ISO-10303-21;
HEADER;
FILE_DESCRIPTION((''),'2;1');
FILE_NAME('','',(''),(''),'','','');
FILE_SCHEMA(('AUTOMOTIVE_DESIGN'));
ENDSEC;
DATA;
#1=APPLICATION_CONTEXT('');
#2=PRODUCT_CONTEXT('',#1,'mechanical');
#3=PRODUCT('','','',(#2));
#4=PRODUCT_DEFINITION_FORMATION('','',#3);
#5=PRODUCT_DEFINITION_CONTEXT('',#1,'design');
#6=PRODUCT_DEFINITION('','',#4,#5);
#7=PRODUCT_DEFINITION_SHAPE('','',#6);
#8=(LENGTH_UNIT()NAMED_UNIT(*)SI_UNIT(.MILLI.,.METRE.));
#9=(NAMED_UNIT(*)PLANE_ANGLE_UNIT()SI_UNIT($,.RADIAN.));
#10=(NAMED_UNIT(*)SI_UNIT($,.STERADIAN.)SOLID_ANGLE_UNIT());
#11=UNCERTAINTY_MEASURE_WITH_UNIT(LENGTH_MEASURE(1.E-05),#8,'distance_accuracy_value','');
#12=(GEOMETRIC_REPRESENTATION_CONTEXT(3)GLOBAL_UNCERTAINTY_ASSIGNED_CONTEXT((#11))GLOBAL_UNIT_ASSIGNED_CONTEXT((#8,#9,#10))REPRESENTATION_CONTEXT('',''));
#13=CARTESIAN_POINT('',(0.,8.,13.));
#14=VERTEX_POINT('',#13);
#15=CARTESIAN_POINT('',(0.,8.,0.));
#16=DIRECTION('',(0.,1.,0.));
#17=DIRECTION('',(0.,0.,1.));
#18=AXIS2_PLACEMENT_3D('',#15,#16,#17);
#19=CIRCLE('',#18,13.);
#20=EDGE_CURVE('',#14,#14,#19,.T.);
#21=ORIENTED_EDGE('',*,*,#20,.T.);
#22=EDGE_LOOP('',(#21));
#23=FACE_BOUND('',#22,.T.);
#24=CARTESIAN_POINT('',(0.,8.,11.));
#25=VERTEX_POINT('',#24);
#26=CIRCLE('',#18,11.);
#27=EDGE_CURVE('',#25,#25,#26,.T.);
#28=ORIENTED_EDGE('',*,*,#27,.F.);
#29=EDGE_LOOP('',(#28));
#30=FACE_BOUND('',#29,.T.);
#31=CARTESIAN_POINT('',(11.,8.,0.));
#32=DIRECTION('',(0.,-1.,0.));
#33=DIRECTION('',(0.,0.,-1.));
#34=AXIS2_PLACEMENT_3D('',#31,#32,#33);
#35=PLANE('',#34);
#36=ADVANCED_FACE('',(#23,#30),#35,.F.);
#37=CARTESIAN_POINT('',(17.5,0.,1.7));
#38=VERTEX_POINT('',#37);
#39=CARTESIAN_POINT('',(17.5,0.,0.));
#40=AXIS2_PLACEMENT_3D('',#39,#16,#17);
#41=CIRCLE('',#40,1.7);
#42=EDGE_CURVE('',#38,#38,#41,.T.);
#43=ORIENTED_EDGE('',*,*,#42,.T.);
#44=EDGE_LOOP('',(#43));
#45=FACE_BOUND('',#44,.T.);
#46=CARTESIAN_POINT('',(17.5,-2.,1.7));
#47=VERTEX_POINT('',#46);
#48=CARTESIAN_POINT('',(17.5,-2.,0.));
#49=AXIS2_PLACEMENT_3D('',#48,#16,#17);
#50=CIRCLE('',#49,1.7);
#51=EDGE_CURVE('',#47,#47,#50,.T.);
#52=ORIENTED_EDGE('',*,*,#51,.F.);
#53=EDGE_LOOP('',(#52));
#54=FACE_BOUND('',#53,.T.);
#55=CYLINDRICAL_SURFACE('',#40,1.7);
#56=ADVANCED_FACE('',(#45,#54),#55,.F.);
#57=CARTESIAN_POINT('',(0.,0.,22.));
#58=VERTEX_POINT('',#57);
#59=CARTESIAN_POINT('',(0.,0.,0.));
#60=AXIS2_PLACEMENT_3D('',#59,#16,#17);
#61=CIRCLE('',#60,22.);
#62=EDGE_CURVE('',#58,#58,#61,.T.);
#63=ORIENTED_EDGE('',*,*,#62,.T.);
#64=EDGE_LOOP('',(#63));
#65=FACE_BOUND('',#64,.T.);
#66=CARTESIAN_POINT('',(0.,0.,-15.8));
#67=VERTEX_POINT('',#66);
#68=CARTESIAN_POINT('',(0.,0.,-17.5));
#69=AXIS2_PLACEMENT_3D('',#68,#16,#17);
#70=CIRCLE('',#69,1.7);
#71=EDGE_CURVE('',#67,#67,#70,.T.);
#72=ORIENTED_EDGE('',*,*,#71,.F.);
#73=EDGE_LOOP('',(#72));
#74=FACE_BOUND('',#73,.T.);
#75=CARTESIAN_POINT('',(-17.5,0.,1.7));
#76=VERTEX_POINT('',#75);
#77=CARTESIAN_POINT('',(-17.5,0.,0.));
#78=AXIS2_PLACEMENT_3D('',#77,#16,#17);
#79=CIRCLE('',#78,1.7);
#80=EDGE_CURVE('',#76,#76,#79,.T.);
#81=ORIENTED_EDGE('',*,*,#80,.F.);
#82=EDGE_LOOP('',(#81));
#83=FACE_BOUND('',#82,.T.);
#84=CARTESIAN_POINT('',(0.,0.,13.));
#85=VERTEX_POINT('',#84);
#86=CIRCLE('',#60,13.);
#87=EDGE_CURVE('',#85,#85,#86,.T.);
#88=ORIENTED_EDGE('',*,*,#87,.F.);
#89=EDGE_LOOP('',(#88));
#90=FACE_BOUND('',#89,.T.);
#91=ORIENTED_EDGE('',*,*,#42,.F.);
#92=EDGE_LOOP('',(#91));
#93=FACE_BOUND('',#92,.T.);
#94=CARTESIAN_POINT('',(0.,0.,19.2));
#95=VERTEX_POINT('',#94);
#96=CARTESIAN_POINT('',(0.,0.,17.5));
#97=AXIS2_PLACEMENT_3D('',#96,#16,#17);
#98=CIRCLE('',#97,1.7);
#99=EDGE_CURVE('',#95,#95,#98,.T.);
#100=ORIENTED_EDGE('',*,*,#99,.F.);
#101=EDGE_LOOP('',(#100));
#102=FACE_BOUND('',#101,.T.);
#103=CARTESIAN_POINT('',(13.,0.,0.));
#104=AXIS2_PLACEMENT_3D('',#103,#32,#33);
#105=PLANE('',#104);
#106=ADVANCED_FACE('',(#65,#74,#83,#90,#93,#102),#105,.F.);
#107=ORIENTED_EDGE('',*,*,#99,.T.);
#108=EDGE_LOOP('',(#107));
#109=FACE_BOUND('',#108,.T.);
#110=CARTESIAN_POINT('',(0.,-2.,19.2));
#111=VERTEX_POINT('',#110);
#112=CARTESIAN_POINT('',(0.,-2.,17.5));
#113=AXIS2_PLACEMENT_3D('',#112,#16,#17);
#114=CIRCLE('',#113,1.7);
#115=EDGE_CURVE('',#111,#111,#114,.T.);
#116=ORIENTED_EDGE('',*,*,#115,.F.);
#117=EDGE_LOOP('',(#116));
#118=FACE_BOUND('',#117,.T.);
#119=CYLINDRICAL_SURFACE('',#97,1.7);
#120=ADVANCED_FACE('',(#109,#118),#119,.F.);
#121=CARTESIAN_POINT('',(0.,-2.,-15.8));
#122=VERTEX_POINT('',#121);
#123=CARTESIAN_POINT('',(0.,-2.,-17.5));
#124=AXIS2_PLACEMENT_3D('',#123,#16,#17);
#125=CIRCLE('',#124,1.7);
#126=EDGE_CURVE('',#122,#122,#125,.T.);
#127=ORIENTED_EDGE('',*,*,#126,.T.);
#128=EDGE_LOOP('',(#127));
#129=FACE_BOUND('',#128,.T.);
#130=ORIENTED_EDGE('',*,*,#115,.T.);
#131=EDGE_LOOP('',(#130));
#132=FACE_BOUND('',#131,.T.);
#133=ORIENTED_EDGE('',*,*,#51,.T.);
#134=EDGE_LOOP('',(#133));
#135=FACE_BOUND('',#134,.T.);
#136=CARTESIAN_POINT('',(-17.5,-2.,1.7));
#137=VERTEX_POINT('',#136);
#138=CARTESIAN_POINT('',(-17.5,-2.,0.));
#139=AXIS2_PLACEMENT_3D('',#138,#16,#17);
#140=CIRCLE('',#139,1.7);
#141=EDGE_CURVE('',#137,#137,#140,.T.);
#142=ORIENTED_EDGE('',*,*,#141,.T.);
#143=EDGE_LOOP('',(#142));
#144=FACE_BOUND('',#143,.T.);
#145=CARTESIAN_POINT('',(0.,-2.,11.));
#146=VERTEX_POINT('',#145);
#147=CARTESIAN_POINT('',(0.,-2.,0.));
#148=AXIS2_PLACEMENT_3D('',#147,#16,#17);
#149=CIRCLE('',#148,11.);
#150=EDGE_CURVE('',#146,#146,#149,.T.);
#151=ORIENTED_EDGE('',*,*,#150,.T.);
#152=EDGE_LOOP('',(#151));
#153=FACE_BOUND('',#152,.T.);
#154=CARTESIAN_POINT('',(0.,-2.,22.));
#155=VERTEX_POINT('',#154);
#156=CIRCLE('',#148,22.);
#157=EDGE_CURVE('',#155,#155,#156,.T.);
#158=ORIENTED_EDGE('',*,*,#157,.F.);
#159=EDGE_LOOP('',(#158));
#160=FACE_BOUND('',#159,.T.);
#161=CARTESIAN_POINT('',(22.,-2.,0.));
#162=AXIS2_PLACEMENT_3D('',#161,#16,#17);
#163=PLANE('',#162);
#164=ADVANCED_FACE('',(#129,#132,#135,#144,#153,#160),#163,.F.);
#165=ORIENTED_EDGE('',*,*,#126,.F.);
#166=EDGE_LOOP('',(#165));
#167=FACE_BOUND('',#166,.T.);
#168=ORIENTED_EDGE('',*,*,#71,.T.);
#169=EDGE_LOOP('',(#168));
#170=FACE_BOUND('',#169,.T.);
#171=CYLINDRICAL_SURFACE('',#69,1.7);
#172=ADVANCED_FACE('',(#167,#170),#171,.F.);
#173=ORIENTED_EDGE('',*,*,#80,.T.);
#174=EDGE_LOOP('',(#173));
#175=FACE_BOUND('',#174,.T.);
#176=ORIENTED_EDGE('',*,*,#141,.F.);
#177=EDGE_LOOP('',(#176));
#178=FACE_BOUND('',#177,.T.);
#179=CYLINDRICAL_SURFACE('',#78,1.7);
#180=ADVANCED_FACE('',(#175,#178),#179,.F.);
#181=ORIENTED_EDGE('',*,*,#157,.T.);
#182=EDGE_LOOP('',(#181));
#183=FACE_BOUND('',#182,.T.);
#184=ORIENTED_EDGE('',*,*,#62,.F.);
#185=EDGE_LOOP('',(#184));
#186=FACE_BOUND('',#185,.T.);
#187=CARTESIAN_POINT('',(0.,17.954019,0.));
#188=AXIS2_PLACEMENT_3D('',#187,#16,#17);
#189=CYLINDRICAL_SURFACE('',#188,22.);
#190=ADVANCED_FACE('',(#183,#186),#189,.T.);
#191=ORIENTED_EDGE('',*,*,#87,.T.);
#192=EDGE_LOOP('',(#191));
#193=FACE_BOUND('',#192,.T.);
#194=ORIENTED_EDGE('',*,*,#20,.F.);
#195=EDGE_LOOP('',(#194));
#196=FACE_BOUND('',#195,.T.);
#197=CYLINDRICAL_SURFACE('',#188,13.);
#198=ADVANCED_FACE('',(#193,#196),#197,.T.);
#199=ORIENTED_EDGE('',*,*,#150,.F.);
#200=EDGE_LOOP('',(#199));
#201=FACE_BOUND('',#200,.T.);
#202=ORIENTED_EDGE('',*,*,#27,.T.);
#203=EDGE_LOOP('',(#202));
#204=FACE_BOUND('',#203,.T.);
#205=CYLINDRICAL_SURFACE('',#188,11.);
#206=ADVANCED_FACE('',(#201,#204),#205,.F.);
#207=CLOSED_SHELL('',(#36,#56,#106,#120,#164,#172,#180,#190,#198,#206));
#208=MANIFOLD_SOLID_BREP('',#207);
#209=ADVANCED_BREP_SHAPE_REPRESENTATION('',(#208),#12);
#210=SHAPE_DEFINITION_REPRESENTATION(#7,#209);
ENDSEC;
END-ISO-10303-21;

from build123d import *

# Parameters (mm, degrees)
SKETCH2_R            = 11
CUT_EXTRUDE1_DEPTH   = 33.124756808
M3_CLEARANCE_HOLE1_D = 3.4


with BuildPart() as part:
    # Sketch1 → Revolve1 (revolve)
    with BuildSketch(Plane.XY, mode=Mode.PRIVATE) as revolve1_sk:
        Polygon((9, 0), (11, 0), (11, 8), (13, 8), (13, 0), (22, 0), (22, -2), (9, -2), align=None)
    revolve(revolve1_sk.sketch.rotate(Axis((0, 17.954019247, 0), (0, -1, 0)), 90), axis=Axis((0, 17.954019247, 0), (0, -1, 0)))

    # Sketch2 → Cut-Extrude1 (cut, through all)
    with BuildSketch(Plane(origin=(0, 0, 0), x_dir=(1, 0, 0), z_dir=(0, 1, 0))):
        with Locations(Location((0, 0, 0), (0, 0, 270))):
            Circle(SKETCH2_R)
    extrude(amount=-CUT_EXTRUDE1_DEPTH, mode=Mode.SUBTRACT)

    # M3 Clearance Hole1 (through all)
    with Locations(Plane(origin=(0, 0, 0), x_dir=(1, 0, 0), z_dir=(0, 1, 0))):
        with Locations((0, 17.5), (17.5, 0), (0, -17.5), (-17.5, 0)):
            Hole(M3_CLEARANCE_HOLE1_D / 2)


solid = part.part
